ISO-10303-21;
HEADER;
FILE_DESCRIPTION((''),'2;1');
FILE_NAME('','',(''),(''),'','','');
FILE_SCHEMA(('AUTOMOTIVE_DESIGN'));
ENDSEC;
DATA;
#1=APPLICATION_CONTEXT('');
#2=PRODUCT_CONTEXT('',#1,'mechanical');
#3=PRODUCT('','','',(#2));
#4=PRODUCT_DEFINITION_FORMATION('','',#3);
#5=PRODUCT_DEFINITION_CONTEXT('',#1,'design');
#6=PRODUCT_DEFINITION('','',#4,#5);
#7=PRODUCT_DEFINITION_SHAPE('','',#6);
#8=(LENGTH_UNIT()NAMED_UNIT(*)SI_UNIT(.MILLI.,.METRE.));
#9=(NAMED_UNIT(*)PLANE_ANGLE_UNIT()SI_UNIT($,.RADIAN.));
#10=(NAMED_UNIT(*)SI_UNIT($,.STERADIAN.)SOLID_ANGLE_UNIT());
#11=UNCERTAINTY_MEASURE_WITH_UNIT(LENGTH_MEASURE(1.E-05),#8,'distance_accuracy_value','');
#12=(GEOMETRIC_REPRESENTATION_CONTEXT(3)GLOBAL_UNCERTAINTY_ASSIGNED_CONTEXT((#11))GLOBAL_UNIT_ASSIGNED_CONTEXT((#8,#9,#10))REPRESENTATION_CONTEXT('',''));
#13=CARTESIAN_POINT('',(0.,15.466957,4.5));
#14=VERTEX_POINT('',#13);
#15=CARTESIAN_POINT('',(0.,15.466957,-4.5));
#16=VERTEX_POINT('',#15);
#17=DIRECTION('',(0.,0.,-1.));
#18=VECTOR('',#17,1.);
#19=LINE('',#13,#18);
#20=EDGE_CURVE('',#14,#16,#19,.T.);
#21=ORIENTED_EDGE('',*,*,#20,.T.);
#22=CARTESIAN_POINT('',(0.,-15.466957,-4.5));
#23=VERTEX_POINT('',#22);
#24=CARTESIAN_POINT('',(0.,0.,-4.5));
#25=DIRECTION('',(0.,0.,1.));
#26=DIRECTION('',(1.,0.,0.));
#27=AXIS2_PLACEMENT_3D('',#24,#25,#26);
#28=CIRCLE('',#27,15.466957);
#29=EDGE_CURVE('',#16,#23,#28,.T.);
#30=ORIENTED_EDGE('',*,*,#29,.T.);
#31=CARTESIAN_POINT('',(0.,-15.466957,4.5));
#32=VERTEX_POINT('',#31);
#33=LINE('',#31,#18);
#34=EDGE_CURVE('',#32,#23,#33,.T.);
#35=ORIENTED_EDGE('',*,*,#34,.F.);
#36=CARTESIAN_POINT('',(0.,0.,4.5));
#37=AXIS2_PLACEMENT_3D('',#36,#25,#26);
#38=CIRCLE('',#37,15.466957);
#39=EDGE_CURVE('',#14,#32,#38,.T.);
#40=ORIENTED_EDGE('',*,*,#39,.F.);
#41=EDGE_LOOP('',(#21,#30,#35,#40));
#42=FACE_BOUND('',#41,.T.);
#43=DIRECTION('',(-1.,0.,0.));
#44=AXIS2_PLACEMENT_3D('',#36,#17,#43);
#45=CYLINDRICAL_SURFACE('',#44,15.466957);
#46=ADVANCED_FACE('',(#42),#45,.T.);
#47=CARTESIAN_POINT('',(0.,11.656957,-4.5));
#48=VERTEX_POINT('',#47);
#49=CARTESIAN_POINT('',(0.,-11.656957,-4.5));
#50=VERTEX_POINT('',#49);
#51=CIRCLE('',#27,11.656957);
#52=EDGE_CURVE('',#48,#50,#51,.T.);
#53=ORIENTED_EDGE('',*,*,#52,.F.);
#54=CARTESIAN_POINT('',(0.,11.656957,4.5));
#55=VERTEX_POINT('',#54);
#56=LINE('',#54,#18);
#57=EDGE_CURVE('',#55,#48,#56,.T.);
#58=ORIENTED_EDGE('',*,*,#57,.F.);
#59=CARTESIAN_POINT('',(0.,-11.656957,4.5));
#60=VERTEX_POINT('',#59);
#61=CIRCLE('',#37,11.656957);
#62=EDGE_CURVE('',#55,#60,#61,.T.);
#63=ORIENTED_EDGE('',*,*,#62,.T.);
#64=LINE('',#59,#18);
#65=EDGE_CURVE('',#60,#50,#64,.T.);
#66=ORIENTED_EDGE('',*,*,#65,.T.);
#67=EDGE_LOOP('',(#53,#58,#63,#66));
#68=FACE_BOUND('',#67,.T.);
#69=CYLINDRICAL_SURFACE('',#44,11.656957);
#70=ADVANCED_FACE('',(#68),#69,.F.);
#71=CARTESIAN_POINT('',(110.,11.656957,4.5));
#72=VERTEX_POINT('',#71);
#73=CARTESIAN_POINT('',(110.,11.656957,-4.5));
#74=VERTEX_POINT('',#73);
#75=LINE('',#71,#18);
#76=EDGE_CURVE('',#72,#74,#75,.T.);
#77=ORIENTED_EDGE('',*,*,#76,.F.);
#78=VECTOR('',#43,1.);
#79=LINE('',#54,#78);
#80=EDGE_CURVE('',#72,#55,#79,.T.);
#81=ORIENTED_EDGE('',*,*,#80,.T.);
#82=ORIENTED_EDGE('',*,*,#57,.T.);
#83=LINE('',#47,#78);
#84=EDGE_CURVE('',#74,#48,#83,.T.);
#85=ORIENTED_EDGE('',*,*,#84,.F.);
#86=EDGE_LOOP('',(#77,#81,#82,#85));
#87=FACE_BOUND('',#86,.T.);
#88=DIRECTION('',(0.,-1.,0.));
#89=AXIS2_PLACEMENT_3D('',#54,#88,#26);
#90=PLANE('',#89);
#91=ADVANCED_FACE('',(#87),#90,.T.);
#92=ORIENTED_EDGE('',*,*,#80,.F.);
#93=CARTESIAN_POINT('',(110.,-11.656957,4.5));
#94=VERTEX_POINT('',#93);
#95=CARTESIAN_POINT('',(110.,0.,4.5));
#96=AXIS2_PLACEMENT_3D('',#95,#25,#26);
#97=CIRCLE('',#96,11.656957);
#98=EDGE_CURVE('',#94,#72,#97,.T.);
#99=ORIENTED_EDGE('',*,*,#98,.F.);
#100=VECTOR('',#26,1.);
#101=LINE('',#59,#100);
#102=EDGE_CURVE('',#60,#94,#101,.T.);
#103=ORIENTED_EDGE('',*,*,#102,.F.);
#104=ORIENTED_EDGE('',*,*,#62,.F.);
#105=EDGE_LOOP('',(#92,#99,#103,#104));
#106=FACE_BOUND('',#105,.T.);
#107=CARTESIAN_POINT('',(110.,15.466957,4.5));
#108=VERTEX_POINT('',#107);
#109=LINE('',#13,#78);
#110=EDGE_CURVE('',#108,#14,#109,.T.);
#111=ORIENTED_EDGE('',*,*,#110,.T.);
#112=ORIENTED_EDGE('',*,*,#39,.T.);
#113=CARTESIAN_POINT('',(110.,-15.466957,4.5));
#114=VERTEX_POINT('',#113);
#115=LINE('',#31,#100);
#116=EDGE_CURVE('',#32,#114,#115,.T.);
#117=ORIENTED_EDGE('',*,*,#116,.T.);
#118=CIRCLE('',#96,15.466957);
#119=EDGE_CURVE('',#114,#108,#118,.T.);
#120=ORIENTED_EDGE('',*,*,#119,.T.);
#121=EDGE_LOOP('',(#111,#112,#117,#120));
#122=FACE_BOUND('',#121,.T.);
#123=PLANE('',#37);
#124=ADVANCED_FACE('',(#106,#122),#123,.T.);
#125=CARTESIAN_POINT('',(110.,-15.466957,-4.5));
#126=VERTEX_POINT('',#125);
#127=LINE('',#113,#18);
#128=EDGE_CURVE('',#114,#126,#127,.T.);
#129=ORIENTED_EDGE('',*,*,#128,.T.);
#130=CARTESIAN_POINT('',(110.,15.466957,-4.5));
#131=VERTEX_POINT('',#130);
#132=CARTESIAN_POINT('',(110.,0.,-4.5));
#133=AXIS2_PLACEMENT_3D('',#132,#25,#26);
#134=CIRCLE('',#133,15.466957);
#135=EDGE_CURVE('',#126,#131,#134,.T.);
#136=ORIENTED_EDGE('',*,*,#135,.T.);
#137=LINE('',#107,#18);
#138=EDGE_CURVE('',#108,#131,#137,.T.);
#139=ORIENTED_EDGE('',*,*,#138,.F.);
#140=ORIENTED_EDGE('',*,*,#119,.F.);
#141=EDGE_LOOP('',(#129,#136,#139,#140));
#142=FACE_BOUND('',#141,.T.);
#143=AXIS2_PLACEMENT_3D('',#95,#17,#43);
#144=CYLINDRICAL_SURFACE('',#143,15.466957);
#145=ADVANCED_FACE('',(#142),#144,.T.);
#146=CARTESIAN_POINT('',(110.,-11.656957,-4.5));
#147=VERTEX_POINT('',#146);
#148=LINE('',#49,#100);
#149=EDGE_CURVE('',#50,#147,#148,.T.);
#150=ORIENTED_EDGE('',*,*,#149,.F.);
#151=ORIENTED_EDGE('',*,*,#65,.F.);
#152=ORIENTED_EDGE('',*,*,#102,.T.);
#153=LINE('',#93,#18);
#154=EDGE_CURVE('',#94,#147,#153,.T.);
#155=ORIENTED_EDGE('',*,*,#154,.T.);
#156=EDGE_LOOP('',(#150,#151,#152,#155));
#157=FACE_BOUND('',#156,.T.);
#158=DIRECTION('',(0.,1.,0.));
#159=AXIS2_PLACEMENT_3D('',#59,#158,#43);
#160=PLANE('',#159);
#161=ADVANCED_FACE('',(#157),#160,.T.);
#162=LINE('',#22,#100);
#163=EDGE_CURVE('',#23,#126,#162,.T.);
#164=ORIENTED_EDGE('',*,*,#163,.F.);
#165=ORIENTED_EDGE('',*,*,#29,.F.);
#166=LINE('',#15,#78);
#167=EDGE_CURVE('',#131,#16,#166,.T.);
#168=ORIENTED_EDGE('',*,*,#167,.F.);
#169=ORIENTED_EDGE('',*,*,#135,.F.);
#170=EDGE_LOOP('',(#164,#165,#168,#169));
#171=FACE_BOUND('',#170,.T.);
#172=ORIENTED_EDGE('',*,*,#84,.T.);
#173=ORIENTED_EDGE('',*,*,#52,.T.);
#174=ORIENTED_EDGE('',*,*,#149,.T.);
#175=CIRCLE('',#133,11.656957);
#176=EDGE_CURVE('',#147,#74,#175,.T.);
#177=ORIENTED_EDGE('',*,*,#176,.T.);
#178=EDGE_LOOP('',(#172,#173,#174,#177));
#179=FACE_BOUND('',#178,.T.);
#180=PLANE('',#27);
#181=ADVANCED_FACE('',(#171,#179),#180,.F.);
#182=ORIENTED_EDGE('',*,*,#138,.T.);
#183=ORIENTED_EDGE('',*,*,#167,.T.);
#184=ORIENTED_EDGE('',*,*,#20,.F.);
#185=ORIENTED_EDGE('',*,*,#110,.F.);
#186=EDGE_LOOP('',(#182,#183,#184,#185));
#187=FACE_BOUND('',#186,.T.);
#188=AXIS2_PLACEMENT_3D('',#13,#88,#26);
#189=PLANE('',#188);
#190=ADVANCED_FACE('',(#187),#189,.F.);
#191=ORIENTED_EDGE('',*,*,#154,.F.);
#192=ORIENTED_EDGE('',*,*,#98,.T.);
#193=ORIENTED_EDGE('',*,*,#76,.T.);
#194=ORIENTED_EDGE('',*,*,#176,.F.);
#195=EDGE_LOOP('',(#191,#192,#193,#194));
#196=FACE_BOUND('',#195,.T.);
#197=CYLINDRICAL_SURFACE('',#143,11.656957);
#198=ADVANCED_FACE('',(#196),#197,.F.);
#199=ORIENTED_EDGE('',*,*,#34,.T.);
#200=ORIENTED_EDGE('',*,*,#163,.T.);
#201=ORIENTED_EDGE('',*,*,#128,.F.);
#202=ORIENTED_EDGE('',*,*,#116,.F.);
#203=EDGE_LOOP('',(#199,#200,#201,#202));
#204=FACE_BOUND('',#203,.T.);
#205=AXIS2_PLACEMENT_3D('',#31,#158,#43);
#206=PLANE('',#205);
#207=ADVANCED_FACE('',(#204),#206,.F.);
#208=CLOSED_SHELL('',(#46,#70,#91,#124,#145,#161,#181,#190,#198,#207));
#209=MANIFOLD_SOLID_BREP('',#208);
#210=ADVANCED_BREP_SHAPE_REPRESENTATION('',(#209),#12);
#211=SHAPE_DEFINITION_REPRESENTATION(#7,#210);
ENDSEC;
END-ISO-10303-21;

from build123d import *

# Parameters (mm, degrees)
EXTRUDE_THIN1_DEPTH = 4.5


with BuildPart() as part:
    # Sketch1 → Extrude-Thin1 (new body, symmetric)
    with BuildSketch(Plane.XY):
        with BuildLine():
            Line((109.999999964, -15.466956708), (0, -15.466956708))
            ThreePointArc((0, -15.466956708), (-15.466956708, 0), (0, 15.466956708))
            Line((0, 15.466956708), (109.999999964, 15.466956708))
            ThreePointArc((109.999999964, 15.466956708), (125.466956672, 0), (109.999999964, -15.466956708))
        make_face()
        with BuildLine():
            Line((109.999999964, -11.656956708), (0, -11.656956708))
            ThreePointArc((0, -11.656956708), (-11.656956708, 0), (0, 11.656956708))
            Line((0, 11.656956708), (109.999999964, 11.656956708))
            ThreePointArc((109.999999964, 11.656956708), (121.656956672, 0), (109.999999964, -11.656956708))
        make_face(mode=Mode.SUBTRACT)
    extrude(amount=EXTRUDE_THIN1_DEPTH, both=True)


solid = part.part
